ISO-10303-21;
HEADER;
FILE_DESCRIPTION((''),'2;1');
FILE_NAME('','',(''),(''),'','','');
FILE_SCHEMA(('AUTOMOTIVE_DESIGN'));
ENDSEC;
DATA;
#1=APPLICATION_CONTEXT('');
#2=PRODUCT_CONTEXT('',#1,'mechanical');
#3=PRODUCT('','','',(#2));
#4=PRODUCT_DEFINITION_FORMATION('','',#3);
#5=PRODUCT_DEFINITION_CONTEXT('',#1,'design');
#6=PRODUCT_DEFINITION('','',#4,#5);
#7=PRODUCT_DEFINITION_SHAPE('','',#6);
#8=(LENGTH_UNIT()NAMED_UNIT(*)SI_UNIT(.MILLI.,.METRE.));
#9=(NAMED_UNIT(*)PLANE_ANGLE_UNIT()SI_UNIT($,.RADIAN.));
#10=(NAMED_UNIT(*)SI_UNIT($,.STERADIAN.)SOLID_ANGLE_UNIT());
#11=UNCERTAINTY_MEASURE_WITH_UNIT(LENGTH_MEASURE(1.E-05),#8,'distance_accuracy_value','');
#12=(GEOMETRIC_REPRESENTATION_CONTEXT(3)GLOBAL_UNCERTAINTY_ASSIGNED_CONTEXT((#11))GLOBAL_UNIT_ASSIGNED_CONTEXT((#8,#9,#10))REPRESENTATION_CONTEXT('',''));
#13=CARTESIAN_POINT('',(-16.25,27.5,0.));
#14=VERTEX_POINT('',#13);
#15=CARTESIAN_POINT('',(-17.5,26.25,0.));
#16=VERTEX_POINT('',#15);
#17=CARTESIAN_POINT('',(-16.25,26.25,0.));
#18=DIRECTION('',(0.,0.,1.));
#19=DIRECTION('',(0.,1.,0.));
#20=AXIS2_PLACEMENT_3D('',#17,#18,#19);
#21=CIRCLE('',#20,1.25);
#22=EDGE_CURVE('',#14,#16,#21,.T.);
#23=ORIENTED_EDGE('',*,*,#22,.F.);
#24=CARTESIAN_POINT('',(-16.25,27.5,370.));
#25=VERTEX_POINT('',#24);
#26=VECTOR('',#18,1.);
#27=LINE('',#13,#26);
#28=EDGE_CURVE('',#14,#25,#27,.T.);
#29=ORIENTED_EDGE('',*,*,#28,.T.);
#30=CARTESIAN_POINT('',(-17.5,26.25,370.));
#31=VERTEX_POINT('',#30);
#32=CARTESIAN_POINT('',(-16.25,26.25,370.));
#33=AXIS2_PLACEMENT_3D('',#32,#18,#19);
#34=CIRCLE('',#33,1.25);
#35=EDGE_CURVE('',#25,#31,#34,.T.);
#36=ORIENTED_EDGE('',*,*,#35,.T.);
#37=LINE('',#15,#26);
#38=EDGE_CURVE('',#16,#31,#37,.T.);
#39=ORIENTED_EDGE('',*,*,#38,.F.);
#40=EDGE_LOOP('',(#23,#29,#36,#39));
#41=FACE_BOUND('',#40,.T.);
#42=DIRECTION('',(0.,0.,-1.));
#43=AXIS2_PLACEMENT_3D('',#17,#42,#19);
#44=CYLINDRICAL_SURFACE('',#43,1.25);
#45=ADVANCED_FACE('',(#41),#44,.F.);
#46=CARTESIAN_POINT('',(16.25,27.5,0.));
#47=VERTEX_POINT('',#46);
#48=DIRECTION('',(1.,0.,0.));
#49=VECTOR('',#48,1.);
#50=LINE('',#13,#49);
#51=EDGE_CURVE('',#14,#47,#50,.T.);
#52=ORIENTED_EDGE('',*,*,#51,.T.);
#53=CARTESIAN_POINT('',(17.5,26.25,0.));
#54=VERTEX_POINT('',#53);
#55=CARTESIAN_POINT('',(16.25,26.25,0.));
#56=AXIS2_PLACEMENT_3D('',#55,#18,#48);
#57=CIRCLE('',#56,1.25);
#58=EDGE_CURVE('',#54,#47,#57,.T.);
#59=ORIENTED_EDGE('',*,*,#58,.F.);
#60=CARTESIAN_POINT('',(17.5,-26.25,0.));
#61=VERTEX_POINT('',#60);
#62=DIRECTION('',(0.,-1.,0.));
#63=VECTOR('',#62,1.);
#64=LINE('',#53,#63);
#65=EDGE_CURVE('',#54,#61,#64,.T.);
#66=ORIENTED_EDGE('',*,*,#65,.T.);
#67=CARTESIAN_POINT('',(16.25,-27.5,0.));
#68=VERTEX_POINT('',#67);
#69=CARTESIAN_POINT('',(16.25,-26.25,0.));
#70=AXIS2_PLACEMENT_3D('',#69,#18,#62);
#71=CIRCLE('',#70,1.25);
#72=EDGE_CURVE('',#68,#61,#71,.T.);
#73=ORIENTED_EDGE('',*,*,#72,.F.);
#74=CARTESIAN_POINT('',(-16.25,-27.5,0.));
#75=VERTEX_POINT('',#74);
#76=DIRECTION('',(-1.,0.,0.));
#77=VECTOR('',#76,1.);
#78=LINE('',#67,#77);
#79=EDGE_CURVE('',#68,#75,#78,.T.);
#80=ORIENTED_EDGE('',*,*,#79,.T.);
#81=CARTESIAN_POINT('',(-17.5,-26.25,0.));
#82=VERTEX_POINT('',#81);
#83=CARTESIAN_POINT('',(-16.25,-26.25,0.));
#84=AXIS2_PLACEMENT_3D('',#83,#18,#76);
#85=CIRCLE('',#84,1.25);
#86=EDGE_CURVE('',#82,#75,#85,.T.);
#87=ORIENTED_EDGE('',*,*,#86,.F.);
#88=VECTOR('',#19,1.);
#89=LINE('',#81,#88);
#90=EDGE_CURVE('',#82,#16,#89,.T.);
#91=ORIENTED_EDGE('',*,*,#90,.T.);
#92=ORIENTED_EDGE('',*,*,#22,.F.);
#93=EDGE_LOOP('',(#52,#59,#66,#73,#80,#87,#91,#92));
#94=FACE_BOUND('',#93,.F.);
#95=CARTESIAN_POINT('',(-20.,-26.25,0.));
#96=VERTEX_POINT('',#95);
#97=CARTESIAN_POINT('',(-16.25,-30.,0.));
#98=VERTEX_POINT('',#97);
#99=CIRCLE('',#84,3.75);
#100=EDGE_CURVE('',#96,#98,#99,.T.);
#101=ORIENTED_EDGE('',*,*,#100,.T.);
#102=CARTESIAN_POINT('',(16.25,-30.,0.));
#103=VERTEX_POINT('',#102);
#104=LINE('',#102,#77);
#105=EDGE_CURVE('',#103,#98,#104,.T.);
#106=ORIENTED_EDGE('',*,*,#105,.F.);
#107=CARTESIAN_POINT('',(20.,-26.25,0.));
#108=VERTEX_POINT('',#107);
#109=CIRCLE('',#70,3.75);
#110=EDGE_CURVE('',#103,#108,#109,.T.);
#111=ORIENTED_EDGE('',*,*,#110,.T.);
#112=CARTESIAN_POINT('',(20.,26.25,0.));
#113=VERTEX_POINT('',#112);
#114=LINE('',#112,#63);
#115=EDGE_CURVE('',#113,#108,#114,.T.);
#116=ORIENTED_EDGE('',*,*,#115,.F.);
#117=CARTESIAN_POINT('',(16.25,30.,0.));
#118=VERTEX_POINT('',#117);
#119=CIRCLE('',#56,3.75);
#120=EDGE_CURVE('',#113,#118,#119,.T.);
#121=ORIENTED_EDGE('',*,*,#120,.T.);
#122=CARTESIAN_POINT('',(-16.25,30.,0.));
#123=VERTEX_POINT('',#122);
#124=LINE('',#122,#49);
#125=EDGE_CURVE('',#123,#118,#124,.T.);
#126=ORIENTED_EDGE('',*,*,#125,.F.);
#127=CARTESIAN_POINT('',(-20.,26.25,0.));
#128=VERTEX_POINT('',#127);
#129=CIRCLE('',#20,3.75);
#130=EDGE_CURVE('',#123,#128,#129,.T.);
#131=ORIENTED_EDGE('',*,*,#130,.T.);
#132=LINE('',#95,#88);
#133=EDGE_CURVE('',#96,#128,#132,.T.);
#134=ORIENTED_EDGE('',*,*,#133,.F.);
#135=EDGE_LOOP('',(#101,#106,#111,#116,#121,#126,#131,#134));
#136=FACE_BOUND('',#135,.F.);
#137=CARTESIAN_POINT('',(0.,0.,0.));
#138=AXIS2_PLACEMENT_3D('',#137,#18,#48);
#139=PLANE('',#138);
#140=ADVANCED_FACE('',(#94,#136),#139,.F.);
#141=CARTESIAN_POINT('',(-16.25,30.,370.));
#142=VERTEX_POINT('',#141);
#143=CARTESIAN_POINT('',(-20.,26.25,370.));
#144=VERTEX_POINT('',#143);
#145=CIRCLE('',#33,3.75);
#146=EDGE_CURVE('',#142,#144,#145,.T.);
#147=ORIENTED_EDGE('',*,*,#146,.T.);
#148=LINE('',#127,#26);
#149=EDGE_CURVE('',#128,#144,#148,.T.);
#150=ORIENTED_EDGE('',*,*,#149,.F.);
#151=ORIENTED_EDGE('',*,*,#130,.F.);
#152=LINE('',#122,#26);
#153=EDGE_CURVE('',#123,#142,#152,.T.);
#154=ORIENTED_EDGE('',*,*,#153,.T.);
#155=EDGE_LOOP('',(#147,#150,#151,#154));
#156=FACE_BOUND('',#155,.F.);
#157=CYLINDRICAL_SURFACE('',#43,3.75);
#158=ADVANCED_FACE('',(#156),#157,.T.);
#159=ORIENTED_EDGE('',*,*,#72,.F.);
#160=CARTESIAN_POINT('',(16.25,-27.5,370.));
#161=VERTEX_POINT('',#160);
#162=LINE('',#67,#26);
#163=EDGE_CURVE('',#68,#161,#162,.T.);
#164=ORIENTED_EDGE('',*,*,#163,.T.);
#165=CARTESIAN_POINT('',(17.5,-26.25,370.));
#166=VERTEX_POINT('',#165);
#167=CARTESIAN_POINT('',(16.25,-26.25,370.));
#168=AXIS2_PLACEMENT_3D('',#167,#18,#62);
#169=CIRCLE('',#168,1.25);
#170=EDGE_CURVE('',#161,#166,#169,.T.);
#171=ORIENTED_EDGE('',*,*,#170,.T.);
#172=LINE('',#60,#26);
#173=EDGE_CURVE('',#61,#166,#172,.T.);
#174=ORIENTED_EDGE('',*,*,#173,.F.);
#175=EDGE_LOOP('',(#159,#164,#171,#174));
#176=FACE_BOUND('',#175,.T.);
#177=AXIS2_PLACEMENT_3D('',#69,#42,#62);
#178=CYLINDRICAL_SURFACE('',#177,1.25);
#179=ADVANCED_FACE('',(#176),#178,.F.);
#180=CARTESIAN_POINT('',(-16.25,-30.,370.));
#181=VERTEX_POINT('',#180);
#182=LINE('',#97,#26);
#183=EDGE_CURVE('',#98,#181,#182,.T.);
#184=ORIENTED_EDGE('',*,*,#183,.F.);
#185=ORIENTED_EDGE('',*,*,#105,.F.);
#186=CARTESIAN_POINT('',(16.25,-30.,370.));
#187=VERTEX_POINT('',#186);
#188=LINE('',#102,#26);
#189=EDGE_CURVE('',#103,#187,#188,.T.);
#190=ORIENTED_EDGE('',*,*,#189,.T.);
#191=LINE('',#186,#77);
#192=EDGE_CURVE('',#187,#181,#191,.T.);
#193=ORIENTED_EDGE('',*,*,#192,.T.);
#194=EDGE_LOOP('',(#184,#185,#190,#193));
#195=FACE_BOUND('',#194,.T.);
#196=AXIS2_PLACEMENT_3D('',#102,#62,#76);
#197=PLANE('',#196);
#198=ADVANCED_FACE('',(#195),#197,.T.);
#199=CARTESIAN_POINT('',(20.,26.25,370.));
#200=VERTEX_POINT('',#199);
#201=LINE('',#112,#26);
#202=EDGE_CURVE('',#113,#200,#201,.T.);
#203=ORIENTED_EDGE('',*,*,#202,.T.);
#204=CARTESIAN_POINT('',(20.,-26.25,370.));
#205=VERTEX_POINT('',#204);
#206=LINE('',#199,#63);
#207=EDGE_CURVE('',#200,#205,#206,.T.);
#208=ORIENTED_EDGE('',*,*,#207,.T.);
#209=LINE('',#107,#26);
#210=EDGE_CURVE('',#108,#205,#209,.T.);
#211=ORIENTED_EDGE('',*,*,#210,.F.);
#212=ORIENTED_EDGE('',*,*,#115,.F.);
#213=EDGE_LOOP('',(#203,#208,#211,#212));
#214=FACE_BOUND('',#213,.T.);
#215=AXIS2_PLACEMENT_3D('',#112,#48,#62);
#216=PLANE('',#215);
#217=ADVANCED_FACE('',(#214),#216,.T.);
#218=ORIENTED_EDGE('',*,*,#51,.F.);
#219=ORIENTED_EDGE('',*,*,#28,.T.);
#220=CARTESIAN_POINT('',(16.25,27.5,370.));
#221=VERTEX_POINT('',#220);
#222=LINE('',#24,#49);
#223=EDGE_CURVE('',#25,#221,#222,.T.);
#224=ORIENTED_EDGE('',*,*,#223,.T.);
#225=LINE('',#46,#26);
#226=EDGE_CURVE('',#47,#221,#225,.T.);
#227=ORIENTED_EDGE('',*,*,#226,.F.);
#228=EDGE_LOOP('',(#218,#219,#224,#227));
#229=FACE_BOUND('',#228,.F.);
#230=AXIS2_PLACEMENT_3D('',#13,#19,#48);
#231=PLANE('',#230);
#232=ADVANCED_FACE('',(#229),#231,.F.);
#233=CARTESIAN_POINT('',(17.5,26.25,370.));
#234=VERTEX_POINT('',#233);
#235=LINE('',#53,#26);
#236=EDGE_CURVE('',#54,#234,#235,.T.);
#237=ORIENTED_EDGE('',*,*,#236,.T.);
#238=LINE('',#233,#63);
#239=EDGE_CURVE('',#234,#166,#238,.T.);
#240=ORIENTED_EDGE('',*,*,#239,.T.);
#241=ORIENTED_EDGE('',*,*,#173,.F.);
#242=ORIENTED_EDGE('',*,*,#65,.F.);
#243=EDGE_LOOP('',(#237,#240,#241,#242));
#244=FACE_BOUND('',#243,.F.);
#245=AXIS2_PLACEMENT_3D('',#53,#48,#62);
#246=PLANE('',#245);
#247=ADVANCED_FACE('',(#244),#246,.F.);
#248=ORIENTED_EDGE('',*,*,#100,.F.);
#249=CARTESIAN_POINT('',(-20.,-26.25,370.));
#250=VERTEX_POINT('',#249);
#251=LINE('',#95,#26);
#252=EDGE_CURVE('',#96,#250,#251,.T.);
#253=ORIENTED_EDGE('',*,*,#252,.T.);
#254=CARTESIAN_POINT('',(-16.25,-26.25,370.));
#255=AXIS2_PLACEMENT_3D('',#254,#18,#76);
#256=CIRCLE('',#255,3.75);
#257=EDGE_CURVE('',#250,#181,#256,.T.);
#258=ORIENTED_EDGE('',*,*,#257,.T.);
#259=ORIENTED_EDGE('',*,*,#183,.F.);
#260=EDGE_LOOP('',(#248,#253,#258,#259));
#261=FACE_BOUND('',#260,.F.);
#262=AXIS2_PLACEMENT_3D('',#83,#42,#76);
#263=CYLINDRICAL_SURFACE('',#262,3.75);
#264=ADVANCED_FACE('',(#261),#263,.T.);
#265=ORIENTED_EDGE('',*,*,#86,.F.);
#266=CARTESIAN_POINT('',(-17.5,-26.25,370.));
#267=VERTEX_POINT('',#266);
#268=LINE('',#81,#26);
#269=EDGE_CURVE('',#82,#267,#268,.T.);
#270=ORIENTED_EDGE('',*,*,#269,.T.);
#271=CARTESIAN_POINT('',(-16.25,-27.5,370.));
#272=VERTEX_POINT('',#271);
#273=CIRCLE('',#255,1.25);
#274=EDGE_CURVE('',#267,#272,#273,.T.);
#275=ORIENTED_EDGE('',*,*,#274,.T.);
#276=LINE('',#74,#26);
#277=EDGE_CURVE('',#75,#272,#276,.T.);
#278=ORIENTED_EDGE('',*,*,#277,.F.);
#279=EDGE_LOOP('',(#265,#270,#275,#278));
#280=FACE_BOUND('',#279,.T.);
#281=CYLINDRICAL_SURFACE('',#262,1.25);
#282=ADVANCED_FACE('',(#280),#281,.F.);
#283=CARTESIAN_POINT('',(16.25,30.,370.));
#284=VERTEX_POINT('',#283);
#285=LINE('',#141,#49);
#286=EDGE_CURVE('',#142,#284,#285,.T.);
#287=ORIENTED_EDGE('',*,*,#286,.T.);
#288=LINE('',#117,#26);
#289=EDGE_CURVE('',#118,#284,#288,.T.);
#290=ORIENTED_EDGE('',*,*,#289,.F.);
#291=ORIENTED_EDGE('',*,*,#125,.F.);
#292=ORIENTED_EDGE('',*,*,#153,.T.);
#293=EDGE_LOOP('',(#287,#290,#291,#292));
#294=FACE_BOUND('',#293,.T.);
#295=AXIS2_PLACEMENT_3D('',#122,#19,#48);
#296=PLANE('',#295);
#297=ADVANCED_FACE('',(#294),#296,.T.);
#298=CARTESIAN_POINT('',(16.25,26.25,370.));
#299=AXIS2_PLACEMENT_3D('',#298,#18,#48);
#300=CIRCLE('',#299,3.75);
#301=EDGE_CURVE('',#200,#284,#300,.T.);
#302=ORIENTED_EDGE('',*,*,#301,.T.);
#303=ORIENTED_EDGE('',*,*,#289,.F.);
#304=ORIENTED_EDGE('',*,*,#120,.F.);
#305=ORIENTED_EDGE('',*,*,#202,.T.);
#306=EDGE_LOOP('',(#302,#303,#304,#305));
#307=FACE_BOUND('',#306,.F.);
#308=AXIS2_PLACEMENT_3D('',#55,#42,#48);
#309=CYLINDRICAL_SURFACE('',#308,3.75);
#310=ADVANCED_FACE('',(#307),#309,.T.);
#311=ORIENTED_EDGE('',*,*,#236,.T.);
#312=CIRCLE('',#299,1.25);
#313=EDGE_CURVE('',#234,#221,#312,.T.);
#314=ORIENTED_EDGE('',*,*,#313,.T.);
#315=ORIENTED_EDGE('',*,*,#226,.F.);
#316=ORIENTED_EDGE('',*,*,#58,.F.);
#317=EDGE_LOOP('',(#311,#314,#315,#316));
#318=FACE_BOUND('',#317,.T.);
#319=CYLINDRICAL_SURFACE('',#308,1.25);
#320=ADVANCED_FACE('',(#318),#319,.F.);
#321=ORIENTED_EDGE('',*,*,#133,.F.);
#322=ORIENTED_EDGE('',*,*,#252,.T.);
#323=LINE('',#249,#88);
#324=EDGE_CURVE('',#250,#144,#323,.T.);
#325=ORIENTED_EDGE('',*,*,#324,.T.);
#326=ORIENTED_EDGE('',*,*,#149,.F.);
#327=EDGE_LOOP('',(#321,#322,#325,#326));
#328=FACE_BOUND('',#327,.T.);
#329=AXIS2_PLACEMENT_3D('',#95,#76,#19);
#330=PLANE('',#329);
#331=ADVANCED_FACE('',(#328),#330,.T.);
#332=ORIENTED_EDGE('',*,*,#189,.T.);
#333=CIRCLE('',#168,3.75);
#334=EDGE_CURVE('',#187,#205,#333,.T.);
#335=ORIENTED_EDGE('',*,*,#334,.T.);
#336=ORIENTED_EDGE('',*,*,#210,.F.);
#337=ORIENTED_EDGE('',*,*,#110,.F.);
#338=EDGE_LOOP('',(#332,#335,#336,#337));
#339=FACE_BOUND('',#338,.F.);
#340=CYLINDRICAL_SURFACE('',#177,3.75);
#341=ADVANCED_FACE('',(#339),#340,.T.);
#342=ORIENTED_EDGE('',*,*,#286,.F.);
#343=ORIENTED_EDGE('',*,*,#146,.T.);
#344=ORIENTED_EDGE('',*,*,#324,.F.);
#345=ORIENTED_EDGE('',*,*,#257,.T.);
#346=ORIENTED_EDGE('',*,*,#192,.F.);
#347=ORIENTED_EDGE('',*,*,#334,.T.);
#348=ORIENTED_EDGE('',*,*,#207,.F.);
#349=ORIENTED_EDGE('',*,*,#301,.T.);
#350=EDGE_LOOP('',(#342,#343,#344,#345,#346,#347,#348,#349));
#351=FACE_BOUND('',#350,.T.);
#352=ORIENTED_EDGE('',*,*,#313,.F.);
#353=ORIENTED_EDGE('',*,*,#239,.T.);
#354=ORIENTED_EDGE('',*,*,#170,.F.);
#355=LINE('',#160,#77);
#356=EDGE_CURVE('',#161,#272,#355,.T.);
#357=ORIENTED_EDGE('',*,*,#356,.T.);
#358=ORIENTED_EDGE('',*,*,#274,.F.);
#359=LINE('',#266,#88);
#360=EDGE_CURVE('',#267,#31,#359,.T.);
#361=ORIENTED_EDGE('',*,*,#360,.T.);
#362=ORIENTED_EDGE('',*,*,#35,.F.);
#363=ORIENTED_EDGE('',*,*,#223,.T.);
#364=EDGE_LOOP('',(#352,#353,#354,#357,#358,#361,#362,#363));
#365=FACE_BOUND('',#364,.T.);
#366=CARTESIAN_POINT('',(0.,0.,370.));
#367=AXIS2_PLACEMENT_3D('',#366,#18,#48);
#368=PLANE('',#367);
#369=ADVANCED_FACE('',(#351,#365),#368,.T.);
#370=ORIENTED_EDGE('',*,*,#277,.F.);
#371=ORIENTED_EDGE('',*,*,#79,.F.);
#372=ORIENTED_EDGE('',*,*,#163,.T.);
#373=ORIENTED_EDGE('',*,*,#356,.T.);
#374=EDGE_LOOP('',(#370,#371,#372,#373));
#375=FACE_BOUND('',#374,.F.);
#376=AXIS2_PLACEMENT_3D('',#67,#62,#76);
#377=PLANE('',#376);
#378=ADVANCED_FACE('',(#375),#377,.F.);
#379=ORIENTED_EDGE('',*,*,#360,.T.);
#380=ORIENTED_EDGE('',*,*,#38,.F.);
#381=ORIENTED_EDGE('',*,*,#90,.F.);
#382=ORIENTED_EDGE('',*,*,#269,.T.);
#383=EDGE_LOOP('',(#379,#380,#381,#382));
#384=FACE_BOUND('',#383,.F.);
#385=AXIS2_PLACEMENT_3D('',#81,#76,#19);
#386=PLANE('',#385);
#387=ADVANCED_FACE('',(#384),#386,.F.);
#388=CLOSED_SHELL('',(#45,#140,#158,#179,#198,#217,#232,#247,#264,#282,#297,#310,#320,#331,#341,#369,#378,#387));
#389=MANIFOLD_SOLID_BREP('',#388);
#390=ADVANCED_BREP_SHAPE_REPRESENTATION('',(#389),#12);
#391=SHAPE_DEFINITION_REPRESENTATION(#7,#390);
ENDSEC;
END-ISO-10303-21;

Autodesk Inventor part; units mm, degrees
ref_plane "YZ Plane" through (0, 0, 0) normal (1, 0, 0) x (0, 1, 0)
ref_plane "Start plane" through (0, 0, 0) normal (0, 0, 1) x (1, 0, 0)
ref_plane "End plane" through (0, 0, 370) normal (0, 0, 1) x (1, 0, 0)
sketch "Sketch" plane through (0, 0, 0) normal (0, 0, 1) x (1, 0, 0)
  line L0 (-20, -26.25) -> (-20, 26.25)
  line L1 (-16.25, 30) -> (16.25, 30)
  line L2 (20, 26.25) -> (20, -26.25)
  line L3 (16.25, -30) -> (-16.25, -30)
  arc A0 (-20, -26.25) -> (-16.25, -30) centre (-16.25, -26.25) ccw
  arc A1 (-16.25, 30) -> (-20, 26.25) centre (-16.25, 26.25) ccw
  arc A2 (20, 26.25) -> (16.25, 30) centre (16.25, 26.25) ccw
  arc A3 (16.25, -30) -> (20, -26.25) centre (16.25, -26.25) ccw
  arc A4 (-16.25, 27.5) -> (-17.5, 26.25) centre (-16.25, 26.25) ccw
  line L4 (-16.25, 27.5) -> (16.25, 27.5)
  arc A5 (17.5, 26.25) -> (16.25, 27.5) centre (16.25, 26.25) ccw
  line L5 (17.5, 26.25) -> (17.5, -26.25)
  arc A6 (16.25, -27.5) -> (17.5, -26.25) centre (16.25, -26.25) ccw
  line L6 (16.25, -27.5) -> (-16.25, -27.5)
  arc A7 (-17.5, -26.25) -> (-16.25, -27.5) centre (-16.25, -26.25) ccw
  line L7 (-17.5, -26.25) -> (-17.5, 26.25)
  line L8 (0, 43.0873) -> (0, -43.0873) construction
  line L9 (-29.0873, 0) -> (29.0873, 0) construction
  dimension "d7" = 3.75
  dimension "d10" = 60
  dimension "d11" = 40
  dimension "d12" = 2.5
  dimension "d15" = 30
  dimension "d16" = 20
extrude "Body" add sketch "Sketch" along normal up to surface (370 mm away) from surface at 0
sketch "Sketch3" plane through (0, 0, 0) normal (0, 0, 1) x (1, 0, 0)
  line L0 (0, 0) -> (10, 0)
ref_plane "Work Plane3" through (0, 0, 0) normal (0, -1, 0) x (1, 0, 0)
sketch "Sketch4" plane through (0, 0, 0) normal (0, -1, 0) x (1, 0, 0)
  line L0 (-2, 0) -> (12, 0)
  line L1 (-2, 370) -> (12, 370)
  dimension "d18" = 370
equation "\"d7\" = G_IR"
equation "\"d10\" = G_H"
equation "\"d11\" = G_W"
equation "\"d12\" = G_T"
equation "\"d15\" = 0.5 * d10"
equation "\"d16\" = 0.5 * d11"
equation "\"d3\" = G_L"
equation "\"G_W\" = 40"
equation "\"G_H\" = 60"
equation "\"G_T\" = 2.5"
equation "\"G_IR\" = 3.75"
equation "\"G_L\" = d18"
equation "\"G_OFFSET_START\" = 0"
equation "\"G_OFFSET_END\" = 0"
equation "\"d14\" = G_OFFSET_END + B_L"
equation "\"B_L\" = 370"
properties part number "ISO 657/14 - 60x40x2.5 - 370" material "Steel, Mild"
